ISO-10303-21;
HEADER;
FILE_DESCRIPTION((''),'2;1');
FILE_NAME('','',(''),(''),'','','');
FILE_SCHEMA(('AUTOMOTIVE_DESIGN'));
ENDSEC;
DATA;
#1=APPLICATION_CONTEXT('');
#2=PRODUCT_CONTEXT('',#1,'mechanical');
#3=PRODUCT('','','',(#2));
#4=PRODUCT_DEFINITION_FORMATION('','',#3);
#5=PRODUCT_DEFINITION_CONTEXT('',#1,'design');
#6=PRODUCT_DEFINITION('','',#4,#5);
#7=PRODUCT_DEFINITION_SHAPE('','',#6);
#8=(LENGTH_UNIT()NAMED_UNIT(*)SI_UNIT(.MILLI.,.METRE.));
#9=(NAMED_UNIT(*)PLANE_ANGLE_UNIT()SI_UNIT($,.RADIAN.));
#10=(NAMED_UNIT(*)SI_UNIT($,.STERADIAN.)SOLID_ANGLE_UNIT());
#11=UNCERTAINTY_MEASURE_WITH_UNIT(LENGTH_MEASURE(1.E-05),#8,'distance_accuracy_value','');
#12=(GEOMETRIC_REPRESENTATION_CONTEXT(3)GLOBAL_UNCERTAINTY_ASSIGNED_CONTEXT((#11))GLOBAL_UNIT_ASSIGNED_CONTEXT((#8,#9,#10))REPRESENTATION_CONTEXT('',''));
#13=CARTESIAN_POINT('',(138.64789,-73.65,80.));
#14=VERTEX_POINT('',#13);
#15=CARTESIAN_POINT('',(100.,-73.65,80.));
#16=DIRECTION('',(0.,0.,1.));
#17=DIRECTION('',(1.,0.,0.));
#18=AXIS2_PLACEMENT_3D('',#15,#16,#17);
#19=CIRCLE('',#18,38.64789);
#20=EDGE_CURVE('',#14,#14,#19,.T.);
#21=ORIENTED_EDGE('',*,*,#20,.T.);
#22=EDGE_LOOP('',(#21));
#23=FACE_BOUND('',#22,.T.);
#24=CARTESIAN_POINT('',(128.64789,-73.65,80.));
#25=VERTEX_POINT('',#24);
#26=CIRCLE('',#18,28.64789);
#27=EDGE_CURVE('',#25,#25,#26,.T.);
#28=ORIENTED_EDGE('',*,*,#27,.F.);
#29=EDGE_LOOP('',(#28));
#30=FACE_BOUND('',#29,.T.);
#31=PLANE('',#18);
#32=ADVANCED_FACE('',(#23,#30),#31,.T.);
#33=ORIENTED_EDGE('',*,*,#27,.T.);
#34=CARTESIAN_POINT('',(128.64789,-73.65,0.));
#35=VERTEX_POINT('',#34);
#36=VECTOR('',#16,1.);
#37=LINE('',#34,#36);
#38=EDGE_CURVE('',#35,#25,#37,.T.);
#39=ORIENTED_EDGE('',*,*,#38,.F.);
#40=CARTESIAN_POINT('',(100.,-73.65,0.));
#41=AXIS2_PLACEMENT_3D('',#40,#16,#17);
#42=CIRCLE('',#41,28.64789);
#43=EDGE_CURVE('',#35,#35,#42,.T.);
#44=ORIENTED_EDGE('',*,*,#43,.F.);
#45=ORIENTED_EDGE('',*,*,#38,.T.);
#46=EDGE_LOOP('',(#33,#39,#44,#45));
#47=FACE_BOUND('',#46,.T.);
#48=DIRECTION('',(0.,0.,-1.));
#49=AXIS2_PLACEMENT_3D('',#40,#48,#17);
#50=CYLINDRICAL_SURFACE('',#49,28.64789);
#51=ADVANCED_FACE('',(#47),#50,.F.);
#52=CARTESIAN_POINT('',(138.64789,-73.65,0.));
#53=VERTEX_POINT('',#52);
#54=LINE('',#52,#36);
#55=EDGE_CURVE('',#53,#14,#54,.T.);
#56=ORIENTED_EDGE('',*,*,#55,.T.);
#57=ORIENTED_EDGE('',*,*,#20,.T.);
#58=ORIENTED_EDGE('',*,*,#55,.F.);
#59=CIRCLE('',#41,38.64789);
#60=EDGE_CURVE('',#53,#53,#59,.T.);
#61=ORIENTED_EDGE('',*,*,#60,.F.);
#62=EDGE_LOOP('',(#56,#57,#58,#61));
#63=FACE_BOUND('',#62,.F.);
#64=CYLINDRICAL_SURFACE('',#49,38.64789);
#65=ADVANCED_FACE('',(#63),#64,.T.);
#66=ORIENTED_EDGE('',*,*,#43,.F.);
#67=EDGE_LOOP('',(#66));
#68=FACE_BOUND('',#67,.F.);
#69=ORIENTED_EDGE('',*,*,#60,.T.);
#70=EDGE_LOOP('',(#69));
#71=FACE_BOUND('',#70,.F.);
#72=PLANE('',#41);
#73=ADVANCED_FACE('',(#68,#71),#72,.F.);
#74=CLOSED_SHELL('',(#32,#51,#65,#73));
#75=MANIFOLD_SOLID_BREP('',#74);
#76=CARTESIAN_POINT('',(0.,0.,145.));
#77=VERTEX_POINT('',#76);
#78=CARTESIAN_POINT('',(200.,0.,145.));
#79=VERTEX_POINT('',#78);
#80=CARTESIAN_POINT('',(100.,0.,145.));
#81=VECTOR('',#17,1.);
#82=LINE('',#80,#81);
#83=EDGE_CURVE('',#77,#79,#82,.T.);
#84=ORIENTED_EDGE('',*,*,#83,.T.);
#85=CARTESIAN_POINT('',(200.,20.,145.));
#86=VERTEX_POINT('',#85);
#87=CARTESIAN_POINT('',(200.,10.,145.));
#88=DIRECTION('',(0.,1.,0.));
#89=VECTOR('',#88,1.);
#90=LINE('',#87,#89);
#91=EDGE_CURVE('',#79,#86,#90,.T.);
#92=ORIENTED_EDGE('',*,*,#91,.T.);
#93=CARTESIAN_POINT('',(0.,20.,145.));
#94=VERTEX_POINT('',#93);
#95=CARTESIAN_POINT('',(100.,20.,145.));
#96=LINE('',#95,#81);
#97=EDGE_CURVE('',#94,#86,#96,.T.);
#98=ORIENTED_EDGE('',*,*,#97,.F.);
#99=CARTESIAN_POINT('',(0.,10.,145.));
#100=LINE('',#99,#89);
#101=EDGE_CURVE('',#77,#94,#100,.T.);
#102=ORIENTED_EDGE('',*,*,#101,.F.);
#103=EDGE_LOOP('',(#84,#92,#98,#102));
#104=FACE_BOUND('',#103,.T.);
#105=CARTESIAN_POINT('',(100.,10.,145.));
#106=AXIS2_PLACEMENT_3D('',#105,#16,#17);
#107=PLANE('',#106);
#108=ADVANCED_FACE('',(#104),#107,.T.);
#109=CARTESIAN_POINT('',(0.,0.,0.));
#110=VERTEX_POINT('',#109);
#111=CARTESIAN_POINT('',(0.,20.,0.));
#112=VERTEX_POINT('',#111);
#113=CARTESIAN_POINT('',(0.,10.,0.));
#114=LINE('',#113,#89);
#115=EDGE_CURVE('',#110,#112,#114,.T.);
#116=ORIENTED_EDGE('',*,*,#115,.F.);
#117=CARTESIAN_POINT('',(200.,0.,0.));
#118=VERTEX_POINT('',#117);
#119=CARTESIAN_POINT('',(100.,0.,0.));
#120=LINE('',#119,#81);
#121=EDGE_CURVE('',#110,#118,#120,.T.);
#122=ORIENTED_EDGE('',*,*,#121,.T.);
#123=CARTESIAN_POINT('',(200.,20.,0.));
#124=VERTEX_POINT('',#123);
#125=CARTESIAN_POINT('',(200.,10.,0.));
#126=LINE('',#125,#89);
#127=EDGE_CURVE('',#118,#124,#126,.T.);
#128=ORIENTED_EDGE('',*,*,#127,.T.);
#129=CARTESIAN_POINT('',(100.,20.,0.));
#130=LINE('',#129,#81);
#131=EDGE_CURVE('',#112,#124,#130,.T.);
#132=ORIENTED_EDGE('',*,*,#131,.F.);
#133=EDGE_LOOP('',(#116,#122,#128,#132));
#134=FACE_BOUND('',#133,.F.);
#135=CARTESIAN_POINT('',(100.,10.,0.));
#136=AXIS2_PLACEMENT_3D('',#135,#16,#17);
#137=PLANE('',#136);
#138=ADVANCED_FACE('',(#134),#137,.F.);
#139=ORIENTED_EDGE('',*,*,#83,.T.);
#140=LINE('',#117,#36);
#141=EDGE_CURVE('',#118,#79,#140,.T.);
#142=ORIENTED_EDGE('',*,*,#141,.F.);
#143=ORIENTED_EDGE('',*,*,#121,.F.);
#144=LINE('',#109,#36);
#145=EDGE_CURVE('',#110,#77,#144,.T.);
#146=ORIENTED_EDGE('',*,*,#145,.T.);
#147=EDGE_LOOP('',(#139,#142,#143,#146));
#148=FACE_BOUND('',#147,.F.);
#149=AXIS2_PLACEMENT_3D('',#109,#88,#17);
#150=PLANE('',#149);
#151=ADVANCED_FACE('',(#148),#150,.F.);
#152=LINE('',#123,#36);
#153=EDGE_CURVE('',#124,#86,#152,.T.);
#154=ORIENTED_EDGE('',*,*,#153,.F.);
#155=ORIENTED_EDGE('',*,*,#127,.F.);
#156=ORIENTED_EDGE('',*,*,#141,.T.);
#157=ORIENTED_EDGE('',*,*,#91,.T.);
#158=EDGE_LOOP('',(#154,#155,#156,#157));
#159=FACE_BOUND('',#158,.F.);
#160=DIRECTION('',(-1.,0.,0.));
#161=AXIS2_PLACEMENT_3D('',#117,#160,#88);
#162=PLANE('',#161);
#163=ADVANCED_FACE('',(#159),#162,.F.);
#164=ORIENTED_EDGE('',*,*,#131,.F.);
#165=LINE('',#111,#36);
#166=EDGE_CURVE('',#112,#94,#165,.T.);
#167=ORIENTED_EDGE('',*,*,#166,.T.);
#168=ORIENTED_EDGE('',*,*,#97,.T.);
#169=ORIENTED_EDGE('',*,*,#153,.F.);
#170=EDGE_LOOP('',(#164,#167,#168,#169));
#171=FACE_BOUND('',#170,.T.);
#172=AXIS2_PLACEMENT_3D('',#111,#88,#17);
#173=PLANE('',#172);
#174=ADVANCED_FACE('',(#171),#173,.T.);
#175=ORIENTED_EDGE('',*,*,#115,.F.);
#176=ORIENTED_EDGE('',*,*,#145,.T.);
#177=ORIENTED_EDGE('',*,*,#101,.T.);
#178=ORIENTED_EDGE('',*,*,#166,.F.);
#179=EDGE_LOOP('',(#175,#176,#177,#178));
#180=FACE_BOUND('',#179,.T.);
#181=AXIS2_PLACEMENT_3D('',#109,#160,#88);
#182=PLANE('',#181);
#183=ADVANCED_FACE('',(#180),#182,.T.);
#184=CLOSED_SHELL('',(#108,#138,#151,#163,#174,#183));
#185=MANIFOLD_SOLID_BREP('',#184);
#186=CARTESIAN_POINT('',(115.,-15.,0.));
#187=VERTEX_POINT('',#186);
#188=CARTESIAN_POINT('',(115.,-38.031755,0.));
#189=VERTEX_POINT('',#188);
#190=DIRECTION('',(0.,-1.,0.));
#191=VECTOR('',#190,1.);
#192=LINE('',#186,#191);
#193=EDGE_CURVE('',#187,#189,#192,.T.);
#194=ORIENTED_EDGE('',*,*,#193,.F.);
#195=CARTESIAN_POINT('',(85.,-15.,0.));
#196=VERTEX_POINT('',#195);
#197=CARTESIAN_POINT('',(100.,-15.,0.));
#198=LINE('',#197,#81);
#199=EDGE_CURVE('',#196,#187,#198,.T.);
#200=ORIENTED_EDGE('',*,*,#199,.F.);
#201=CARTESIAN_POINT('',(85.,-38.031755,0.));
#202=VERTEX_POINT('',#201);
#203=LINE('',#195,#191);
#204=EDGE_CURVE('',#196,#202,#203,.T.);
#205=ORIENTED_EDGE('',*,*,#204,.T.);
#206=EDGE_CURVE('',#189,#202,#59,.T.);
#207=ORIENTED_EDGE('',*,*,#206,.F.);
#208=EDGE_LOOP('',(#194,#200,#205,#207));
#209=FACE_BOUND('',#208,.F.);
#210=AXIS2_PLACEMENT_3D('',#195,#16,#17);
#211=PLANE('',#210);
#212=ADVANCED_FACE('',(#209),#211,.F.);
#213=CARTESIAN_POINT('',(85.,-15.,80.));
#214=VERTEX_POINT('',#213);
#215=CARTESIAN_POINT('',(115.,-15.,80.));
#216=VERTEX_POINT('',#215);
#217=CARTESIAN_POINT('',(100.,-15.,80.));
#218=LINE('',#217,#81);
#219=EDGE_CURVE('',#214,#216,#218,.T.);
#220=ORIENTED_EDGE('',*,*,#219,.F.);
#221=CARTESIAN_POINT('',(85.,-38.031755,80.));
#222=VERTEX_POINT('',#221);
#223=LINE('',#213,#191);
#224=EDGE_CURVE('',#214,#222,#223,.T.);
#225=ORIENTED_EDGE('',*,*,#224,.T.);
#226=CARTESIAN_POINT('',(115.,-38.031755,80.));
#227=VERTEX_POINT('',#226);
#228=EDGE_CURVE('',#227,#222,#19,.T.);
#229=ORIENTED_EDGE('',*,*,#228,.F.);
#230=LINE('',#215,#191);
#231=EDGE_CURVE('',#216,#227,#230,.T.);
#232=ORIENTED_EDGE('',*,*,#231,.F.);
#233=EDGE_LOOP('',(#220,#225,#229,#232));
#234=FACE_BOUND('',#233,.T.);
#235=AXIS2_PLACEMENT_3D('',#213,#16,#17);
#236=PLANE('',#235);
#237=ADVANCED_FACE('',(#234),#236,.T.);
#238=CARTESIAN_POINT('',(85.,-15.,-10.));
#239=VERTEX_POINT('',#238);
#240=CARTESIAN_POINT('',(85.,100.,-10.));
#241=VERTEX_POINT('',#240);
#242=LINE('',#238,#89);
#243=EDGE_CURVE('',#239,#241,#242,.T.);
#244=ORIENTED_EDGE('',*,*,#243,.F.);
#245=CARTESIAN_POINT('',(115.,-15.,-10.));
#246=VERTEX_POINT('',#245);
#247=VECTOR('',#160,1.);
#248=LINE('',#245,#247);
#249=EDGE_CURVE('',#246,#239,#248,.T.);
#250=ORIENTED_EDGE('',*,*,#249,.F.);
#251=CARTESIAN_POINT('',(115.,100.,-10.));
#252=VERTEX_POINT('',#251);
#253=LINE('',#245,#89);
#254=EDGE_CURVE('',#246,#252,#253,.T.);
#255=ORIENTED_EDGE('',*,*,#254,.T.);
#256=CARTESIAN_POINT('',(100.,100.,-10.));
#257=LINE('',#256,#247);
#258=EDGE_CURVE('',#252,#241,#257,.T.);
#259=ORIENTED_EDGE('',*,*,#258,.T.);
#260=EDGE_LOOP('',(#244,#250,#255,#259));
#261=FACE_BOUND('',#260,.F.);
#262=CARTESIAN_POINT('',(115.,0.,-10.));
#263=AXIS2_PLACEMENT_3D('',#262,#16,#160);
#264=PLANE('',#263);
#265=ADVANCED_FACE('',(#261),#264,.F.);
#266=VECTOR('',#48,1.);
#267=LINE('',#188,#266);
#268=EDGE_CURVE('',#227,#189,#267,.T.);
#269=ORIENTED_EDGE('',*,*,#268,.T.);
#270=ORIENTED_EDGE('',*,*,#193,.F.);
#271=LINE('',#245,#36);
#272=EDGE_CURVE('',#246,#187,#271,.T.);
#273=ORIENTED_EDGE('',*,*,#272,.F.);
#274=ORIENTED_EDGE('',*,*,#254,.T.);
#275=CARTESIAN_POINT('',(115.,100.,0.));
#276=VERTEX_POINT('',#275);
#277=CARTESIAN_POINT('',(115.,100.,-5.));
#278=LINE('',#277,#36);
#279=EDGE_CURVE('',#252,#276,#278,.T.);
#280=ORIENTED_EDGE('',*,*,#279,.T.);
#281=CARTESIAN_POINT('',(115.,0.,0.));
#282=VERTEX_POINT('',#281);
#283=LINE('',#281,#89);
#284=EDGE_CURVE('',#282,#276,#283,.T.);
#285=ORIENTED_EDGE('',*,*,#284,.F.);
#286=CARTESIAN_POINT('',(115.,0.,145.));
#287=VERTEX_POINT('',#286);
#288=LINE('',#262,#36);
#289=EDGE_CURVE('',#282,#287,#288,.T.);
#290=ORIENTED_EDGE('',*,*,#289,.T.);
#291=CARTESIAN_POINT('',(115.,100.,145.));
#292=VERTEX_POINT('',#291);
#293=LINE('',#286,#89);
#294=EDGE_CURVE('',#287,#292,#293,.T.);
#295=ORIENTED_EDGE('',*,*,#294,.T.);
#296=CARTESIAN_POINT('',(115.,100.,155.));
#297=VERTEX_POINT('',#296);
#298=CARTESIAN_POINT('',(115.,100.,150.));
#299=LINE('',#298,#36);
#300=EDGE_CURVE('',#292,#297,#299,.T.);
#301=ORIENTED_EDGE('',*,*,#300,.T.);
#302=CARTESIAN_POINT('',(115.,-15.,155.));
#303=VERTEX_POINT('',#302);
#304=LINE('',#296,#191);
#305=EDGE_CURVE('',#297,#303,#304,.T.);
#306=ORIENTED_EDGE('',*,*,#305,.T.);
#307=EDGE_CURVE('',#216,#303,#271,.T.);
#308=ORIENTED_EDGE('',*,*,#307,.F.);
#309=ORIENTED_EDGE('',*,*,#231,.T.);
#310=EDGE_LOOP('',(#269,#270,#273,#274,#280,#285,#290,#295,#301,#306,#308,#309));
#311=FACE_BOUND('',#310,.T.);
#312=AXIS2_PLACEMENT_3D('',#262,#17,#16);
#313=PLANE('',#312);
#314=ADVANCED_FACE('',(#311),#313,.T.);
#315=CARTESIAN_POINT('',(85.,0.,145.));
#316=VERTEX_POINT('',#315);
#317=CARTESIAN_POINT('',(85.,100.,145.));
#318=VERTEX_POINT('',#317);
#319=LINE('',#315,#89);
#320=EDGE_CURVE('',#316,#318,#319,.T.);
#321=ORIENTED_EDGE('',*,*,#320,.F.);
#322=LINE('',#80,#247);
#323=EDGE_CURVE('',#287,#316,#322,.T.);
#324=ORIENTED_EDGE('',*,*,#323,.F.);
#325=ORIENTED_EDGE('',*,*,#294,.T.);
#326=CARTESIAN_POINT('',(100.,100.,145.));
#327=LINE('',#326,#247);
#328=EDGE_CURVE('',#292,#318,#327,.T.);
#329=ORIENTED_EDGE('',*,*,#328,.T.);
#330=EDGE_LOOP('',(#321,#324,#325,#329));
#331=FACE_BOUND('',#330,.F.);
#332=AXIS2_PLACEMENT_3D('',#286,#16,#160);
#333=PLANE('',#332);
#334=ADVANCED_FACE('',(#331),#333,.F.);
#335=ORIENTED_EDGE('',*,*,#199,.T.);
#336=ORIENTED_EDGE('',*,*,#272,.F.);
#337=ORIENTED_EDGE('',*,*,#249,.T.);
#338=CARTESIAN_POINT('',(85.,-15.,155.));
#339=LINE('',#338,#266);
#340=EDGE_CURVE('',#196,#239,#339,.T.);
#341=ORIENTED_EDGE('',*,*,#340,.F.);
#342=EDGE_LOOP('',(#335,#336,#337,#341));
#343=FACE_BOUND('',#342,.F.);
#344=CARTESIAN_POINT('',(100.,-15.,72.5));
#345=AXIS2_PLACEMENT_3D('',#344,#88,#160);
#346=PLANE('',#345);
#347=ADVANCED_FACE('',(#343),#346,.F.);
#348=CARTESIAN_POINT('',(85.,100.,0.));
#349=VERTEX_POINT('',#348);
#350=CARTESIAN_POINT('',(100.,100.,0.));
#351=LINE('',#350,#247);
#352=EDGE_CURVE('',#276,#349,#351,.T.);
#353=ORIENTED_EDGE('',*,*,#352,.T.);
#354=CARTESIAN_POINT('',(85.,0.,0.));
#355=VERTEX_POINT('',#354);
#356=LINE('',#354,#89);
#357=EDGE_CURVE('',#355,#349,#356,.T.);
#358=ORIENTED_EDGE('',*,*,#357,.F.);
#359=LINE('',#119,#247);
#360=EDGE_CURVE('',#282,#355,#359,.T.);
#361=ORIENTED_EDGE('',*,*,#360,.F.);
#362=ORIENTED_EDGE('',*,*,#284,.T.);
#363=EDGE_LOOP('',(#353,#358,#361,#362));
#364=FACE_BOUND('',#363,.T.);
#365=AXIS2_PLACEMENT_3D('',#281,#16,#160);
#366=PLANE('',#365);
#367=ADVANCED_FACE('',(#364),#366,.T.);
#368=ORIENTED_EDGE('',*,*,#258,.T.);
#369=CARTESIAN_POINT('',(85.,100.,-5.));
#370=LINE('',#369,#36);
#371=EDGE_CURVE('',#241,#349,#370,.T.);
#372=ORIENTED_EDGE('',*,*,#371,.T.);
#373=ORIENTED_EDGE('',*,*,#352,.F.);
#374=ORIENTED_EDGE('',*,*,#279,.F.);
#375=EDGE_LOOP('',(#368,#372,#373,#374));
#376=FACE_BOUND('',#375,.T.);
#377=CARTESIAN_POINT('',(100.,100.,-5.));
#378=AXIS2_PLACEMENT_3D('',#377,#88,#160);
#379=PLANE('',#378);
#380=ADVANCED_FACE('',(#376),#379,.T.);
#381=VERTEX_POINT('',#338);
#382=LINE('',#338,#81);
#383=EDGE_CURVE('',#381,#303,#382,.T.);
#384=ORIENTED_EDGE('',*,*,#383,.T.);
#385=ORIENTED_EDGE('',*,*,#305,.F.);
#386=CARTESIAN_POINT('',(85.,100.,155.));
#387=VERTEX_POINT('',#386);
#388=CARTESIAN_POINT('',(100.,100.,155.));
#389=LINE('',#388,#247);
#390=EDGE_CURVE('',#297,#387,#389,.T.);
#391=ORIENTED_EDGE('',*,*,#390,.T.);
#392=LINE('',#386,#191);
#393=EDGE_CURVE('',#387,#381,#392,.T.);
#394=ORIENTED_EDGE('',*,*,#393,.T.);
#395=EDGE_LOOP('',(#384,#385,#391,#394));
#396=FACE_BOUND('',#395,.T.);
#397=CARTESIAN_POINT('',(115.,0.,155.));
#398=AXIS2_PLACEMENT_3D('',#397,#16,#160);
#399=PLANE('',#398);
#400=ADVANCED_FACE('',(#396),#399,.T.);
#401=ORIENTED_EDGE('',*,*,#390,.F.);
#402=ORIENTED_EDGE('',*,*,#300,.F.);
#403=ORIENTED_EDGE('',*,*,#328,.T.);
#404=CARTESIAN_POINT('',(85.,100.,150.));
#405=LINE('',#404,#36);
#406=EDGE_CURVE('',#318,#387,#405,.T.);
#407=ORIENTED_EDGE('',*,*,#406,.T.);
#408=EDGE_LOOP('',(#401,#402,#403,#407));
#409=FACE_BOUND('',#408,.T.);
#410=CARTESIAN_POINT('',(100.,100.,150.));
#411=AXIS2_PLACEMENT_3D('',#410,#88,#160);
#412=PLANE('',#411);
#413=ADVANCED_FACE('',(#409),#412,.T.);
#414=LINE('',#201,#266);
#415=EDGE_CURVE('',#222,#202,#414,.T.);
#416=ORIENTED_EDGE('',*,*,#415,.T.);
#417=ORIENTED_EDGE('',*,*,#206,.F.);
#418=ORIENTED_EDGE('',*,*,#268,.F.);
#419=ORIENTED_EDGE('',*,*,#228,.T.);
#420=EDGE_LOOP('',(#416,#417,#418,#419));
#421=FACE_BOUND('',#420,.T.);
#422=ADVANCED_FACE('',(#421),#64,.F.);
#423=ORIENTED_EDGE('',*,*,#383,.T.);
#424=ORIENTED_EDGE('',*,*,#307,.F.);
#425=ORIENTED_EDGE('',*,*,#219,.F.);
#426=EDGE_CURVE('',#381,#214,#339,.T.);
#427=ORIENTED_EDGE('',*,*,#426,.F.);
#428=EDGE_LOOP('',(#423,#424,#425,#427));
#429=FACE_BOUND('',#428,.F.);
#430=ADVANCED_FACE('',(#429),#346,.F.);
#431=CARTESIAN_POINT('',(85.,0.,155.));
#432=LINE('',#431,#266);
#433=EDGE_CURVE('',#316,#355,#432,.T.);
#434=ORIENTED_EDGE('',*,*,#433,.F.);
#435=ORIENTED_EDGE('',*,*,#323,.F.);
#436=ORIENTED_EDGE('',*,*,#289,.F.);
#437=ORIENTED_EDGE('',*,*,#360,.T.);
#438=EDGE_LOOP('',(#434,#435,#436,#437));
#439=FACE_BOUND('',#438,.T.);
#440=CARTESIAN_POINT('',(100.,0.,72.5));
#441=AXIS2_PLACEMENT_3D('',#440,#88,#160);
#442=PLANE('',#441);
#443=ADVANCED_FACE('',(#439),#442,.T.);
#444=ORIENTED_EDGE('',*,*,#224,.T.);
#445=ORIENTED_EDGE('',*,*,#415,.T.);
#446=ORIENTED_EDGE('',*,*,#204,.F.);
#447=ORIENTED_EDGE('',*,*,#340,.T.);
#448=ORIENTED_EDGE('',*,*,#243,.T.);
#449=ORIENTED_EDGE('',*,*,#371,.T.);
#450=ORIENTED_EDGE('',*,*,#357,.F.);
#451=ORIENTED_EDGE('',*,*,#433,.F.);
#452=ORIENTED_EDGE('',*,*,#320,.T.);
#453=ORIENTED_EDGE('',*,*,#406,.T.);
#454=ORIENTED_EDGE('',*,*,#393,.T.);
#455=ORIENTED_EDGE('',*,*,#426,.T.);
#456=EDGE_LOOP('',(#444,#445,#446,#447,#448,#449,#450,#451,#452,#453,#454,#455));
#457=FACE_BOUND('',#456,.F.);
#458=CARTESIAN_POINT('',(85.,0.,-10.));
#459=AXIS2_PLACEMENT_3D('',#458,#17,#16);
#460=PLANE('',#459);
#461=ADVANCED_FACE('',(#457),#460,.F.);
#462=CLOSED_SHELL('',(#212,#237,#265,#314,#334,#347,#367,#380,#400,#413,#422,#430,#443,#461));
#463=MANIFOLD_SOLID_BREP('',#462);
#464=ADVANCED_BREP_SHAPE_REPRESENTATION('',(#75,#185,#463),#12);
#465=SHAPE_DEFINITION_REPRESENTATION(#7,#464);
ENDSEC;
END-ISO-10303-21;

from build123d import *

# Parameters (mm, degrees)
BOX_W            = 200
BOX_H            = 20
BOX_DEPTH        = 145
TUBE_R           = 38.64789
TUBE_R_2         = 28.64789
TUBE_DEPTH       = 80
TUBE001_R        = 38.64789
TUBE001_R_2      = 28.64789
TUBE001_DEPTH    = 80
SKETCH001_W      = 30
SKETCH001_H      = 10
EXTRUDE001_DEPTH = 100
SKETCH002_W      = 30
SKETCH002_H      = 10
EXTRUDE002_DEPTH = 100
SKETCH003_W      = 30
SKETCH003_H      = 80
EXTRUDE003_DEPTH = 25
EXTRUDE_DEPTH    = 15


with BuildPart() as cube:
    # Box → Box (new body)
    with BuildSketch(Plane.XY):
        with Locations((100, 10)):
            Rectangle(BOX_W, BOX_H)
    extrude(amount=BOX_DEPTH)


with BuildPart() as tube:
    # Tube → Tube (new body)
    with BuildSketch(Plane(origin=(100, -73.65, 0), x_dir=(1, 0, 0), z_dir=(0, 0, 1))):
        Circle(TUBE_R)
        Circle(TUBE_R_2, mode=Mode.SUBTRACT)
    extrude(amount=TUBE_DEPTH)


with BuildPart() as tube001:
    # Tube001 → Tube001 (new body)
    with BuildSketch(Plane(origin=(100, -73.65, 0), x_dir=(1, 0, 0), z_dir=(0, 0, 1))):
        Circle(TUBE001_R)
        Circle(TUBE001_R_2, mode=Mode.SUBTRACT)
    extrude(amount=TUBE001_DEPTH)


with BuildPart() as extrude001:
    # Sketch001 (on Face9 of Extrude) → Extrude001 (new body)
    with BuildSketch(Plane(origin=(0, 0, 0), x_dir=(-1, 0, 0), z_dir=(0, 1, 0))):
        with Locations((-100, 150)):
            Rectangle(SKETCH001_W, SKETCH001_H)
    extrude(amount=EXTRUDE001_DEPTH)


with BuildPart() as extrude002:
    # Sketch002 (on Face9 of Extrude) → Extrude002 (new body)
    with BuildSketch(Plane(origin=(0, 0, 0), x_dir=(-1, 0, 0), z_dir=(0, 1, 0))):
        with Locations((-100, -5)):
            Rectangle(SKETCH002_W, SKETCH002_H)
    extrude(amount=EXTRUDE002_DEPTH)


with BuildPart() as extrude003:
    # Sketch003 (on Face10 of Extrude) → Extrude003 (new body)
    with BuildSketch(Plane.XZ.offset(15)):
        with Locations((100, 40)):
            Rectangle(SKETCH003_W, SKETCH003_H)
    extrude(amount=EXTRUDE003_DEPTH)


with BuildPart() as hanger:
    # Sketch (on Face3 of Box) → Extrude (new body)
    with BuildSketch(Plane.XZ):
        Polygon((85, 0), (85, 145), (85, 155), (115, 155), (115, 145), (115, 0), (115, -10), (85, -10), align=None)
    extrude(amount=EXTRUDE_DEPTH)

    # Fusion: union Extrude001, Extrude002, Extrude003
    add(extrude001.part)
    add(extrude002.part)
    add(extrude003.part)

    # Cut: cut Tube001
    add(tube001.part, mode=Mode.SUBTRACT)


solid = Compound([cube.part, tube.part, hanger.part])
